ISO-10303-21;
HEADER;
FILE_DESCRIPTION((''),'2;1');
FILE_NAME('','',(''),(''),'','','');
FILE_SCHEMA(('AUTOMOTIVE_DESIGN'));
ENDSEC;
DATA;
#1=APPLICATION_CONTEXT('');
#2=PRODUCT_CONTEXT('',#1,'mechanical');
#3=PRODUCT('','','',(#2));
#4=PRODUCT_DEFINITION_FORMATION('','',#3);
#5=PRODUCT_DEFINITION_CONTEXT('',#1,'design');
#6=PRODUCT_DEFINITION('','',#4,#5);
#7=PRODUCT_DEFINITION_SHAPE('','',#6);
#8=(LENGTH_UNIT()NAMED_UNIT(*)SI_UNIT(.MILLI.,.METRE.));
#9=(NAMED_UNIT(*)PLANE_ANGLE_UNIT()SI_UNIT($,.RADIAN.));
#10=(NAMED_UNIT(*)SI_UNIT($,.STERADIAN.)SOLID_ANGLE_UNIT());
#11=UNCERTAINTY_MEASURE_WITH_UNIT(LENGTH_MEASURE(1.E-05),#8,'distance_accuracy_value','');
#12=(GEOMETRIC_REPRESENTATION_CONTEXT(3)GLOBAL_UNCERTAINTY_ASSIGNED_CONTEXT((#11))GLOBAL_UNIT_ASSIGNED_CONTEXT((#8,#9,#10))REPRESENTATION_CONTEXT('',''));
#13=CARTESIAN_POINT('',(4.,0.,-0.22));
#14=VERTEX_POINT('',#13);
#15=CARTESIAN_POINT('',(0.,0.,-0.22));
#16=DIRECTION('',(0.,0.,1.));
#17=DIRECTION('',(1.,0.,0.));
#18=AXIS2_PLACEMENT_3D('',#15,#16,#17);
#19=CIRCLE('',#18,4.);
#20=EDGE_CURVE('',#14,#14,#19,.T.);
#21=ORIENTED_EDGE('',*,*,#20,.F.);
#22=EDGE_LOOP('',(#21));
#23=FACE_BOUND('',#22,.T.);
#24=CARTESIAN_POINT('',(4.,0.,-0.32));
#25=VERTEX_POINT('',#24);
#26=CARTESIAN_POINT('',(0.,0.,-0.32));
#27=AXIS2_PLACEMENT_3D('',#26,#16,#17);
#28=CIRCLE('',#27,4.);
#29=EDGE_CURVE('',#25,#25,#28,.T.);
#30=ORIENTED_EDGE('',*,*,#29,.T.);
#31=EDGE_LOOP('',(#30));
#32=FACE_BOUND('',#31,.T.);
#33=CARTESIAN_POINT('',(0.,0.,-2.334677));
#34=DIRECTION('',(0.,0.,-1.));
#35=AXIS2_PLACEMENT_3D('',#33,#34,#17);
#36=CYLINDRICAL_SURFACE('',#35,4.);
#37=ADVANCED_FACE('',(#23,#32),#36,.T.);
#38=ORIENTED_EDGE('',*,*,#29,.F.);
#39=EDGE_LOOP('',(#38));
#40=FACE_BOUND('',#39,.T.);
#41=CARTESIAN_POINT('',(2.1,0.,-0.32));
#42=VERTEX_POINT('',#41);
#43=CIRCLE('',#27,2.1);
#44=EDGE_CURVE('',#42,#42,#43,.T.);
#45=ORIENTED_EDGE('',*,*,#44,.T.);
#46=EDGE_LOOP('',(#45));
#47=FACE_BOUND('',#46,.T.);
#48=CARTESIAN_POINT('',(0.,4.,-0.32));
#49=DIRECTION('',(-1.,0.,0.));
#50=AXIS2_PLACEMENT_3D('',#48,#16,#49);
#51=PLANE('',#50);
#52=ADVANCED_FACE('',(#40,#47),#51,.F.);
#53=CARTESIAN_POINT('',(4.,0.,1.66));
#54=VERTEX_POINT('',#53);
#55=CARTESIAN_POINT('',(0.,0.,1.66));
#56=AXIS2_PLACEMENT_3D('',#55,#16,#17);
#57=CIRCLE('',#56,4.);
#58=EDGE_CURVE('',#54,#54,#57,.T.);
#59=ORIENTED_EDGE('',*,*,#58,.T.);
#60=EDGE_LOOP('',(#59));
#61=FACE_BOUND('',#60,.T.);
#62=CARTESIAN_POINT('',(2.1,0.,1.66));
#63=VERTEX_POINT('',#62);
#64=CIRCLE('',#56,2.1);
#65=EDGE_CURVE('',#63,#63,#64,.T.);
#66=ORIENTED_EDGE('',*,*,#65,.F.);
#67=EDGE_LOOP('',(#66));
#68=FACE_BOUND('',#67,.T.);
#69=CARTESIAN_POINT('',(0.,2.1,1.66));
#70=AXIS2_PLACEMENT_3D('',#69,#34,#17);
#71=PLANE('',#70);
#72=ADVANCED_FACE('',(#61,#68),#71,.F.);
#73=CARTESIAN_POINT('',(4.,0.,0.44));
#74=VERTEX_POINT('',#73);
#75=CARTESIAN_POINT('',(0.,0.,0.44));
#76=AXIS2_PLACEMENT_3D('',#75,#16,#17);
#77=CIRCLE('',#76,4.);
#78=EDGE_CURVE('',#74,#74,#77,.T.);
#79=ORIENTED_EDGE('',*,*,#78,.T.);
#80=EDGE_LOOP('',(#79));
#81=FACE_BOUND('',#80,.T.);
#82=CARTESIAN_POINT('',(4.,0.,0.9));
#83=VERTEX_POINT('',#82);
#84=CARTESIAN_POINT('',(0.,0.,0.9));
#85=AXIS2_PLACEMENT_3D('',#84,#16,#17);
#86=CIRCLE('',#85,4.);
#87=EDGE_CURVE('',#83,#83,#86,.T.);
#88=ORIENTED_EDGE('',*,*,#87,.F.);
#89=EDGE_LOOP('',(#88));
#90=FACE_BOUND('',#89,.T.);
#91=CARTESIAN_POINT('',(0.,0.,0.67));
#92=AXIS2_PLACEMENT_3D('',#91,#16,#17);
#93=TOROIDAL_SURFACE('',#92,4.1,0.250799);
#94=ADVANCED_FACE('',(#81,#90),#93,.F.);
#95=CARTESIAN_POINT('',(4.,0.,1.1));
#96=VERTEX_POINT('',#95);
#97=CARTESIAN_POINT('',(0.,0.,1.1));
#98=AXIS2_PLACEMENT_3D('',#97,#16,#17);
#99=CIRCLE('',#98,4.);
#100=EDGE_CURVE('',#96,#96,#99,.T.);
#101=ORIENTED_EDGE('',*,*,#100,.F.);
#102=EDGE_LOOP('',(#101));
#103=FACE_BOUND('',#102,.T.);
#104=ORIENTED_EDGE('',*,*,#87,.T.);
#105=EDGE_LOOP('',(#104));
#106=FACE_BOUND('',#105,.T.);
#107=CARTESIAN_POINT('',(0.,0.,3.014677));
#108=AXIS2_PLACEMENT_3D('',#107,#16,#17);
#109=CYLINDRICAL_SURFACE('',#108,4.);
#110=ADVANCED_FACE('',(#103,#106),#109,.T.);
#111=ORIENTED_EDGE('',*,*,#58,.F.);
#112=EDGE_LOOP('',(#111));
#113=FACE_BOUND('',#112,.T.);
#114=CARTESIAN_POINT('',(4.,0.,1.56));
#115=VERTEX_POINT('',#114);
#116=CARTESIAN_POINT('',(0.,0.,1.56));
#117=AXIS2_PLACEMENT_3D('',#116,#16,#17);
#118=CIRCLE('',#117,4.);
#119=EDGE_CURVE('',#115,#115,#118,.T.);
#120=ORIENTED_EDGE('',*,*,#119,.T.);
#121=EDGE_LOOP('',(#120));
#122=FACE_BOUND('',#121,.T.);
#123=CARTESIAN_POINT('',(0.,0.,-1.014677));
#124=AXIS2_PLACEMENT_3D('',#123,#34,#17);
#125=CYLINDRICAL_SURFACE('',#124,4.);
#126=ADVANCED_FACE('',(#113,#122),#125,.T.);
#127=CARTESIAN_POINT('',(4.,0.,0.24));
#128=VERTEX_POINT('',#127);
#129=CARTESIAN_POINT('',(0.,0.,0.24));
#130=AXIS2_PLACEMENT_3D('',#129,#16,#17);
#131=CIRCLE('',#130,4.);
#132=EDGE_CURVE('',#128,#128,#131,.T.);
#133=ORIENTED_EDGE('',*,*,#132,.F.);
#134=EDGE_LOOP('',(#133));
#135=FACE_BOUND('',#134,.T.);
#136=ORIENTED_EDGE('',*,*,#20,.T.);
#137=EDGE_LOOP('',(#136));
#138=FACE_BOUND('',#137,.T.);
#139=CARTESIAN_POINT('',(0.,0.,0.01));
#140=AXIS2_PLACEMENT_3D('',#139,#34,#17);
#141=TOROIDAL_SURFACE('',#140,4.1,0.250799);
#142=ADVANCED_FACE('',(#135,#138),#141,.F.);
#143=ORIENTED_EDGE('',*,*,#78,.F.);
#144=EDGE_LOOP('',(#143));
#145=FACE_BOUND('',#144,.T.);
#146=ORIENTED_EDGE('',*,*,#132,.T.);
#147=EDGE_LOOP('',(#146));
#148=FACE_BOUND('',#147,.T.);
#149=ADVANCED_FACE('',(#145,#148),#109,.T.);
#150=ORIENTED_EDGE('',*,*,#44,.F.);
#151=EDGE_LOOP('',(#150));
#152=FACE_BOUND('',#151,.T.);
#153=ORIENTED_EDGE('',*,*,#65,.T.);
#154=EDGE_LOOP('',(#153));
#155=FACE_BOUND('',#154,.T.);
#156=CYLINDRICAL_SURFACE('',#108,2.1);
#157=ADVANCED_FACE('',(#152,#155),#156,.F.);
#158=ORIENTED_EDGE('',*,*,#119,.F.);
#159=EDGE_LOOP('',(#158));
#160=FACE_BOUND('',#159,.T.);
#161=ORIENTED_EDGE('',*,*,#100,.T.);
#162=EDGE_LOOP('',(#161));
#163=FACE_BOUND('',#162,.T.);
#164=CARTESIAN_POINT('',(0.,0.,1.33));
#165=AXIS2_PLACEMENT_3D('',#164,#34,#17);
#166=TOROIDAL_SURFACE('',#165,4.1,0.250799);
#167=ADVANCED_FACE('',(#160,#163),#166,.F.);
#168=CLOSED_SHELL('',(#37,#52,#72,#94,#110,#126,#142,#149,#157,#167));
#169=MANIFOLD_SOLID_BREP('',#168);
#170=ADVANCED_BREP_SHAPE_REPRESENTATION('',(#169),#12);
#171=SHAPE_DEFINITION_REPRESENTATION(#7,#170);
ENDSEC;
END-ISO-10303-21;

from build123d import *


with BuildPart() as part:
    # Sketch2 → Revolve1 (revolve)
    with BuildSketch(Plane(origin=(0, 0, 0), x_dir=(0, 0, -1), z_dir=(1, 0, 0))):
        with BuildLine():
            Line((-0.34, 2.1), (-0.34, 4))
            Line((-0.34, 4), (-0.44, 4))
            ThreePointArc((-0.44, 4), (-0.67, 3.849201276), (-0.9, 4))
            Line((-0.9, 4), (-1, 4))
            Line((-1, 4), (-1, 2.1))
            Line((-1, 2.1), (-0.34, 2.1))
        make_face()
    revolve1 = revolve(axis=Axis((0, 0, 3.014677367), (0, 0, -1)))

    # Mirror2: Revolve1 across plane
    add(revolve1.mirror(Plane(origin=(0, 0, 0.34), x_dir=(1, 0, 0), z_dir=(0, 0, -1))))

    # Mirror3: Revolve1 across plane
    add(revolve1.mirror(Plane.XY.offset(1)))


solid = part.part
